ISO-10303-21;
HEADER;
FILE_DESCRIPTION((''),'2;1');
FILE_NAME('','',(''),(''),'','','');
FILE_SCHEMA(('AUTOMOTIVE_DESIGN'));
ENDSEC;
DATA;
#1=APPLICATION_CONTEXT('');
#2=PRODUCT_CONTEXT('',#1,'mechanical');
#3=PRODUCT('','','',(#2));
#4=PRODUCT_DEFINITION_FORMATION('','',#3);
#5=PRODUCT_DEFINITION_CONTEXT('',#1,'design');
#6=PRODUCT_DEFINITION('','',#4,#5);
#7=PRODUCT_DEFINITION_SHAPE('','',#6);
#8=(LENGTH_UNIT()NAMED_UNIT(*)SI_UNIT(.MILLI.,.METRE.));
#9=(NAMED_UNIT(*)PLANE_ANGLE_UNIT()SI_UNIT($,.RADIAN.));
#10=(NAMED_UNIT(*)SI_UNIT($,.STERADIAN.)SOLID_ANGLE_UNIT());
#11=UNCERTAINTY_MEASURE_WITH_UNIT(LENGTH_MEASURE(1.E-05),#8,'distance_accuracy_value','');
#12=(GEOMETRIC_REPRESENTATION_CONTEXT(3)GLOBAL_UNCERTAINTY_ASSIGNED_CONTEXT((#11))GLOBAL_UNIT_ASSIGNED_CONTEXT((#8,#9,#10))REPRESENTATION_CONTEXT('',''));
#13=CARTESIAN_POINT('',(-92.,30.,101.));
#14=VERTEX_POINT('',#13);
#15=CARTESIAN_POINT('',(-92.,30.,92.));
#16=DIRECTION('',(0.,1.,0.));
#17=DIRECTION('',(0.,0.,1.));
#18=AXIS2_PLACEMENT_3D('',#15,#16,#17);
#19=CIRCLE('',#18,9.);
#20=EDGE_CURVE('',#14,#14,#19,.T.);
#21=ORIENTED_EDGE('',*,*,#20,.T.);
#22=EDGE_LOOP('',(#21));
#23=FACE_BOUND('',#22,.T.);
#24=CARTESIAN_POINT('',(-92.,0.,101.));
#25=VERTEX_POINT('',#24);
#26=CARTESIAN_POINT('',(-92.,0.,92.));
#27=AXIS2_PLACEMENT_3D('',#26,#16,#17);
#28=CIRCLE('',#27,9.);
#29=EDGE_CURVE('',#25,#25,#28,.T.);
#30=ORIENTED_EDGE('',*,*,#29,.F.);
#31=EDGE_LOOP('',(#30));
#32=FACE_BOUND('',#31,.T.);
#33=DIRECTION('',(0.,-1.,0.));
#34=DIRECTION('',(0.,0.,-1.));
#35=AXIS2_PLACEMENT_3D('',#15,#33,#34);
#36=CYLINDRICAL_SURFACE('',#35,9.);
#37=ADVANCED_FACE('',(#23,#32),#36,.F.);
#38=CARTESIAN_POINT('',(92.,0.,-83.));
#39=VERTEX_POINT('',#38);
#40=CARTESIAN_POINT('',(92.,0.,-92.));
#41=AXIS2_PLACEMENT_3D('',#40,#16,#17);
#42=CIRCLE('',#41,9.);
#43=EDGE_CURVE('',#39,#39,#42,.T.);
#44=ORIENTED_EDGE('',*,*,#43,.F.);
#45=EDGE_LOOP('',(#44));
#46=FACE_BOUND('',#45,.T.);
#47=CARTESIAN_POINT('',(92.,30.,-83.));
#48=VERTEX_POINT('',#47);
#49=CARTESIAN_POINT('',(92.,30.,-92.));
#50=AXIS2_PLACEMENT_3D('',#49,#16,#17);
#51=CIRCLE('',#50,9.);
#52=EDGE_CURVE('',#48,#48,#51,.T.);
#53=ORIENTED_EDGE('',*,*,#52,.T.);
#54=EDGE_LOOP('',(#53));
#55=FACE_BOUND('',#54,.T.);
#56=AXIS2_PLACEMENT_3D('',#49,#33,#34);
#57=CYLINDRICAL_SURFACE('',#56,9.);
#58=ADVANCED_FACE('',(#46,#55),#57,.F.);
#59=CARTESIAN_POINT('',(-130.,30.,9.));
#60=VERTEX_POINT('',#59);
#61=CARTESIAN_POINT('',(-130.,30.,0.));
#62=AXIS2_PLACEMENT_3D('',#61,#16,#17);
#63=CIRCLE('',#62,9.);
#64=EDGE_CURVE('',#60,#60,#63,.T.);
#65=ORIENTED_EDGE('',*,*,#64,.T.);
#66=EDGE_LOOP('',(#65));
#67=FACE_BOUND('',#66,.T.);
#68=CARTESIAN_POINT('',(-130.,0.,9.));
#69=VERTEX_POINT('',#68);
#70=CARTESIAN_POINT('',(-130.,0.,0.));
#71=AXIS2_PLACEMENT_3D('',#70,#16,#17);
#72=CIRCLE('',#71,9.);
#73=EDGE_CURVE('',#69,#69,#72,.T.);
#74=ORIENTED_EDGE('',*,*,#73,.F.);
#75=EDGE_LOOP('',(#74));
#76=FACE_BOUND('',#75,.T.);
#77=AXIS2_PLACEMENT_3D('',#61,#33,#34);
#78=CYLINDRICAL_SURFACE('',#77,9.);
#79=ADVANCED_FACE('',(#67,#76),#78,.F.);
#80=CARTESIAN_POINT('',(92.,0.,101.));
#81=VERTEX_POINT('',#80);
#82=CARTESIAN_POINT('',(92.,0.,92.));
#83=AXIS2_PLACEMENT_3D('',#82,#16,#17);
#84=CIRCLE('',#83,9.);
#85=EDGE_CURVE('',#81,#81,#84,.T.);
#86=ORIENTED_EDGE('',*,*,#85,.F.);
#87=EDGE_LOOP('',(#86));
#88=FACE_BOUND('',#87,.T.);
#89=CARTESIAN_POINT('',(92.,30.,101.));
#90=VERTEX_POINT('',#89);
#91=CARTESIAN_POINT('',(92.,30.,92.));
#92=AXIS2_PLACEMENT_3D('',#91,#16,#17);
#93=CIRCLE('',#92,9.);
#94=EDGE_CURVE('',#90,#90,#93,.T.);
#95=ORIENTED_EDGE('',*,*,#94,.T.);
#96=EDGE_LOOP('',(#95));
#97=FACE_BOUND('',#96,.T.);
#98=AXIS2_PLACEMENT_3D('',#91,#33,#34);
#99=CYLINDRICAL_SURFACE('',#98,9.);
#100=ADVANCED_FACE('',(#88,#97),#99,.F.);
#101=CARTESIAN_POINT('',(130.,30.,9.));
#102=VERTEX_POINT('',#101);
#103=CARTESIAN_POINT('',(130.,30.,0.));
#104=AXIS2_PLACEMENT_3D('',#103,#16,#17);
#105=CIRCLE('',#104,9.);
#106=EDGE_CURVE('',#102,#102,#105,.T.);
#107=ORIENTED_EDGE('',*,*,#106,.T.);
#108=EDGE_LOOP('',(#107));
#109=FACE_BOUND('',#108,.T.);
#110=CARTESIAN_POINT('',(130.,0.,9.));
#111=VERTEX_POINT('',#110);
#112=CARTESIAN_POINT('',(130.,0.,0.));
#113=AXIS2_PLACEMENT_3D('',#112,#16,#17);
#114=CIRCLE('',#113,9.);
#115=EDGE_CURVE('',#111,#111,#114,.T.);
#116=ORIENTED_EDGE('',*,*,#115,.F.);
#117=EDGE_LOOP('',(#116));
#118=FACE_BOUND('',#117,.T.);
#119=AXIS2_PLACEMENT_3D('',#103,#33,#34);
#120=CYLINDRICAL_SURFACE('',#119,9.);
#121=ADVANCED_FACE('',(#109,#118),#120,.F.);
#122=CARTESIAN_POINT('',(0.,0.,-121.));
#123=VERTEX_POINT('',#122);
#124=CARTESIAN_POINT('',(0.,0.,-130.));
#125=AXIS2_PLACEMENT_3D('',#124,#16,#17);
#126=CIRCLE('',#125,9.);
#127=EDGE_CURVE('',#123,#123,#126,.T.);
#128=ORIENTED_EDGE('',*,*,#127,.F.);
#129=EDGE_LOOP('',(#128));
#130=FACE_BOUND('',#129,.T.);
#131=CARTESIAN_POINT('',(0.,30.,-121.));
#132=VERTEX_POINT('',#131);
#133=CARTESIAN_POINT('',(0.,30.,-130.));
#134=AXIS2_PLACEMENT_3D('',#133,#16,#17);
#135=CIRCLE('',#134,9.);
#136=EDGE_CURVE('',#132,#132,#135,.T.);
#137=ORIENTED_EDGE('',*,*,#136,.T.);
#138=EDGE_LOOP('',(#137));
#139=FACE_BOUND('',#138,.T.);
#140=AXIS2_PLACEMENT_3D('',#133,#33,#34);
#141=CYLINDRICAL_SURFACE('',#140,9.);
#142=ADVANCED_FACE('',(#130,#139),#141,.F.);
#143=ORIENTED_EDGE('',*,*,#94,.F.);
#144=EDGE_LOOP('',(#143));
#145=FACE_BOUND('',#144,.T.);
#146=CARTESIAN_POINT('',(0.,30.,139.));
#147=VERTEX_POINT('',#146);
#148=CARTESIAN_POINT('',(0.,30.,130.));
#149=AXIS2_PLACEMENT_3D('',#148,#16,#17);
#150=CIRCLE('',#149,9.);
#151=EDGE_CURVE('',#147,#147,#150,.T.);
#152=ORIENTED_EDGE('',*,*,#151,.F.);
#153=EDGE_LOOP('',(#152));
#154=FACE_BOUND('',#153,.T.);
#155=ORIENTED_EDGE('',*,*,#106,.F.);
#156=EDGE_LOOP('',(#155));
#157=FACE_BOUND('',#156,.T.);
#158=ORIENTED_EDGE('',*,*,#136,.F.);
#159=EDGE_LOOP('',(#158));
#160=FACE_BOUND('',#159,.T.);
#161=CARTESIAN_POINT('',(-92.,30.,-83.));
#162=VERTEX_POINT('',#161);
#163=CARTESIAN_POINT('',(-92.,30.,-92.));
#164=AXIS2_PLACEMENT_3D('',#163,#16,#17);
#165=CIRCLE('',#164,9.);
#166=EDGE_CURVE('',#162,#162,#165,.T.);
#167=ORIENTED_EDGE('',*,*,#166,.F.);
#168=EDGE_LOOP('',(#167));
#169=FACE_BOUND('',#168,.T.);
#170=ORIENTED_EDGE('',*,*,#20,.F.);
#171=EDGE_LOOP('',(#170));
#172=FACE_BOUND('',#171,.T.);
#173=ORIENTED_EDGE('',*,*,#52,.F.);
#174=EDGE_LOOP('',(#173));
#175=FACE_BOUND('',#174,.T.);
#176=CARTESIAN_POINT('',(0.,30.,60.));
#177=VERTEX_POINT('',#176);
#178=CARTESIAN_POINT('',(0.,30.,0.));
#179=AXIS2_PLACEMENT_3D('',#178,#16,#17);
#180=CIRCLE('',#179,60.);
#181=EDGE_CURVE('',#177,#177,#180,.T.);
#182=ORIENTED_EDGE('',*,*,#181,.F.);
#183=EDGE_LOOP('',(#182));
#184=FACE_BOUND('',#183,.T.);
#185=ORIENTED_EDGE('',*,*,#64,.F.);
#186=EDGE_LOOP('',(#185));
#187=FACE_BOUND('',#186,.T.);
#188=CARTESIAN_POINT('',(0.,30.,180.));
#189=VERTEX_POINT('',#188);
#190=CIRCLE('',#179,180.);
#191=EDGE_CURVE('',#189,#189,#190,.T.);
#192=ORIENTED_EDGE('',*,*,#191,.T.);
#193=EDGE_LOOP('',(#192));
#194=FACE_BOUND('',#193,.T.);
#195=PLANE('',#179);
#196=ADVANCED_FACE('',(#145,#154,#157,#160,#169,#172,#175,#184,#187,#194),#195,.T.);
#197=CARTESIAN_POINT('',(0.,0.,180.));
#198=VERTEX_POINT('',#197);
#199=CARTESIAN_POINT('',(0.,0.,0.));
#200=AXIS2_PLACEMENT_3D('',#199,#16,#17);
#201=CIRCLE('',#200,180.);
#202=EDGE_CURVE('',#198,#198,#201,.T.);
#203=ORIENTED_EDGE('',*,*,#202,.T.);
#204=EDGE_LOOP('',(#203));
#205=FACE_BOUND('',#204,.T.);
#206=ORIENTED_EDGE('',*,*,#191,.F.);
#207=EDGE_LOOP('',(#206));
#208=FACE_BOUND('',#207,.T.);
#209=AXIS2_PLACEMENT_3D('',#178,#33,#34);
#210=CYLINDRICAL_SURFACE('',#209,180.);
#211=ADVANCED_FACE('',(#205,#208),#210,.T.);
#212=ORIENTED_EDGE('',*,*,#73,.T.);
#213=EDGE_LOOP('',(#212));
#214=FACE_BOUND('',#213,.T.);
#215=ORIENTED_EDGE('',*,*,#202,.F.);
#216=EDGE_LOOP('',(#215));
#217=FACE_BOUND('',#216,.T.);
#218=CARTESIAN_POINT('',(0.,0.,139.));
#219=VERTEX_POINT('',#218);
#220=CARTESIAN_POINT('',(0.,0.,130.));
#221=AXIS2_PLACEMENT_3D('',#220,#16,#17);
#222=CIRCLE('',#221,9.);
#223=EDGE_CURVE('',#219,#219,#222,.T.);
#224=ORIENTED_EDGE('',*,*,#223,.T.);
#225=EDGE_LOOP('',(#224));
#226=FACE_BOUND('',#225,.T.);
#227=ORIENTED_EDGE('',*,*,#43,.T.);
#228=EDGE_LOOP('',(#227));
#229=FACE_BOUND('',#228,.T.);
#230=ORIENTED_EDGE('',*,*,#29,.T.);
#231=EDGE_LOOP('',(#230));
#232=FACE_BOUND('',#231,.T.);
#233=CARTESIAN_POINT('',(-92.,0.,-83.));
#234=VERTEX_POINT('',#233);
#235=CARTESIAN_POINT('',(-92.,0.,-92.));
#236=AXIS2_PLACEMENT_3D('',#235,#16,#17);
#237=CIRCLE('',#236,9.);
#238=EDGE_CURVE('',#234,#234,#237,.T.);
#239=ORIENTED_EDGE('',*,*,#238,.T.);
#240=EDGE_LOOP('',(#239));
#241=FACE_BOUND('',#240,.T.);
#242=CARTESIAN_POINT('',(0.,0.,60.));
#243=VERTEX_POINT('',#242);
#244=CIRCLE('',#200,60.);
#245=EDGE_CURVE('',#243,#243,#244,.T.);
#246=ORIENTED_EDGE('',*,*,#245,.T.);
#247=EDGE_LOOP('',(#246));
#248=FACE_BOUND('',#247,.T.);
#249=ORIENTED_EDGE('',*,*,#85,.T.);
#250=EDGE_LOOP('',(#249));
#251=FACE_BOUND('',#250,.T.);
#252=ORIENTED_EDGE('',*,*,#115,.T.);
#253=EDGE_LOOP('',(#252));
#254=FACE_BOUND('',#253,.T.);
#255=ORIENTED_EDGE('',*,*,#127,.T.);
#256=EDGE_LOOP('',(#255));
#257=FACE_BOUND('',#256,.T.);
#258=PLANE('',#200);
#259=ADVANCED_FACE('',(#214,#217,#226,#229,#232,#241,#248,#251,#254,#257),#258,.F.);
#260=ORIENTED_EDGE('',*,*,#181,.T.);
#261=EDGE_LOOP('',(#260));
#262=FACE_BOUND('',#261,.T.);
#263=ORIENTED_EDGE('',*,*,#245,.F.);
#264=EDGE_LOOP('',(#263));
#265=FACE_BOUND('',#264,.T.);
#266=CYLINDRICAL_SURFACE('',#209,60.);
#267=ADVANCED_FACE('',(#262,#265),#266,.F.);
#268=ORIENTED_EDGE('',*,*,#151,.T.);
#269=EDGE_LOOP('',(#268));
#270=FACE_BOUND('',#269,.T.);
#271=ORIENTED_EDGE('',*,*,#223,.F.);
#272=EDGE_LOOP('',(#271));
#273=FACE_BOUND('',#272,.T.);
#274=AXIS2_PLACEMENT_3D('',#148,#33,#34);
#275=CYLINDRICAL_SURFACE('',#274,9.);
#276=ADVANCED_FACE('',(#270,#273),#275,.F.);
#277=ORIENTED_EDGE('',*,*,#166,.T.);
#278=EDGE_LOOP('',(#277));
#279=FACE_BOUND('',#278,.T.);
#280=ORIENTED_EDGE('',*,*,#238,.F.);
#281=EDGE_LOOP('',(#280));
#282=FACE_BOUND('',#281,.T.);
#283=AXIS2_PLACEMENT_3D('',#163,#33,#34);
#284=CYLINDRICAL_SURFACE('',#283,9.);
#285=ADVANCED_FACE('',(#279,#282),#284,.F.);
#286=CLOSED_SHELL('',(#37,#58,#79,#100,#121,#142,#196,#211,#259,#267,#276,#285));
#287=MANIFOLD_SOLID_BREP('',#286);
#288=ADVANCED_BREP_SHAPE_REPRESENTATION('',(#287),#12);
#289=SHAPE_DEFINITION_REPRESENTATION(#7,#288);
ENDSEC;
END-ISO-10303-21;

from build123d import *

# Parameters (mm, degrees)
SKETCH_1_R      = 180
SKETCH_1_R_2    = 60
SKETCH_1_R_3    = 9
EXTRUDE_1_DEPTH = 30


with BuildPart() as part:
    # 草图1 → 凸台-拉伸1 (new body)
    with BuildSketch(Plane(origin=(0, 0, 0), x_dir=(1, 0, 0), z_dir=(0, 1, 0))):
        with Locations(Location((0, 0, 0), (0, 0, 270))):
            Circle(SKETCH_1_R)
        with Locations(Location((0, 0, 0), (0, 0, 270))):
            Circle(SKETCH_1_R_2, mode=Mode.SUBTRACT)
        with Locations(Location((130, 0, 0), (0, 0, 270))):
            Circle(SKETCH_1_R_3, mode=Mode.SUBTRACT)
        with Locations(Location((-130, 0, 0), (0, 0, 270))):
            Circle(SKETCH_1_R_3, mode=Mode.SUBTRACT)
        with Locations(Location((0, 130, 0), (0, 0, 270))):
            Circle(SKETCH_1_R_3, mode=Mode.SUBTRACT)
        with Locations(Location((0, -130, 0), (0, 0, 270))):
            Circle(SKETCH_1_R_3, mode=Mode.SUBTRACT)
        with Locations(Location((92, 92, 0), (0, 0, 270))):
            Circle(SKETCH_1_R_3, mode=Mode.SUBTRACT)
        with Locations(Location((-92, 92, 0), (0, 0, 270))):
            Circle(SKETCH_1_R_3, mode=Mode.SUBTRACT)
        with Locations(Location((92, -92, 0), (0, 0, 270))):
            Circle(SKETCH_1_R_3, mode=Mode.SUBTRACT)
        with Locations(Location((-92, -92, 0), (0, 0, 270))):
            Circle(SKETCH_1_R_3, mode=Mode.SUBTRACT)
    extrude(amount=EXTRUDE_1_DEPTH)


solid = part.part
